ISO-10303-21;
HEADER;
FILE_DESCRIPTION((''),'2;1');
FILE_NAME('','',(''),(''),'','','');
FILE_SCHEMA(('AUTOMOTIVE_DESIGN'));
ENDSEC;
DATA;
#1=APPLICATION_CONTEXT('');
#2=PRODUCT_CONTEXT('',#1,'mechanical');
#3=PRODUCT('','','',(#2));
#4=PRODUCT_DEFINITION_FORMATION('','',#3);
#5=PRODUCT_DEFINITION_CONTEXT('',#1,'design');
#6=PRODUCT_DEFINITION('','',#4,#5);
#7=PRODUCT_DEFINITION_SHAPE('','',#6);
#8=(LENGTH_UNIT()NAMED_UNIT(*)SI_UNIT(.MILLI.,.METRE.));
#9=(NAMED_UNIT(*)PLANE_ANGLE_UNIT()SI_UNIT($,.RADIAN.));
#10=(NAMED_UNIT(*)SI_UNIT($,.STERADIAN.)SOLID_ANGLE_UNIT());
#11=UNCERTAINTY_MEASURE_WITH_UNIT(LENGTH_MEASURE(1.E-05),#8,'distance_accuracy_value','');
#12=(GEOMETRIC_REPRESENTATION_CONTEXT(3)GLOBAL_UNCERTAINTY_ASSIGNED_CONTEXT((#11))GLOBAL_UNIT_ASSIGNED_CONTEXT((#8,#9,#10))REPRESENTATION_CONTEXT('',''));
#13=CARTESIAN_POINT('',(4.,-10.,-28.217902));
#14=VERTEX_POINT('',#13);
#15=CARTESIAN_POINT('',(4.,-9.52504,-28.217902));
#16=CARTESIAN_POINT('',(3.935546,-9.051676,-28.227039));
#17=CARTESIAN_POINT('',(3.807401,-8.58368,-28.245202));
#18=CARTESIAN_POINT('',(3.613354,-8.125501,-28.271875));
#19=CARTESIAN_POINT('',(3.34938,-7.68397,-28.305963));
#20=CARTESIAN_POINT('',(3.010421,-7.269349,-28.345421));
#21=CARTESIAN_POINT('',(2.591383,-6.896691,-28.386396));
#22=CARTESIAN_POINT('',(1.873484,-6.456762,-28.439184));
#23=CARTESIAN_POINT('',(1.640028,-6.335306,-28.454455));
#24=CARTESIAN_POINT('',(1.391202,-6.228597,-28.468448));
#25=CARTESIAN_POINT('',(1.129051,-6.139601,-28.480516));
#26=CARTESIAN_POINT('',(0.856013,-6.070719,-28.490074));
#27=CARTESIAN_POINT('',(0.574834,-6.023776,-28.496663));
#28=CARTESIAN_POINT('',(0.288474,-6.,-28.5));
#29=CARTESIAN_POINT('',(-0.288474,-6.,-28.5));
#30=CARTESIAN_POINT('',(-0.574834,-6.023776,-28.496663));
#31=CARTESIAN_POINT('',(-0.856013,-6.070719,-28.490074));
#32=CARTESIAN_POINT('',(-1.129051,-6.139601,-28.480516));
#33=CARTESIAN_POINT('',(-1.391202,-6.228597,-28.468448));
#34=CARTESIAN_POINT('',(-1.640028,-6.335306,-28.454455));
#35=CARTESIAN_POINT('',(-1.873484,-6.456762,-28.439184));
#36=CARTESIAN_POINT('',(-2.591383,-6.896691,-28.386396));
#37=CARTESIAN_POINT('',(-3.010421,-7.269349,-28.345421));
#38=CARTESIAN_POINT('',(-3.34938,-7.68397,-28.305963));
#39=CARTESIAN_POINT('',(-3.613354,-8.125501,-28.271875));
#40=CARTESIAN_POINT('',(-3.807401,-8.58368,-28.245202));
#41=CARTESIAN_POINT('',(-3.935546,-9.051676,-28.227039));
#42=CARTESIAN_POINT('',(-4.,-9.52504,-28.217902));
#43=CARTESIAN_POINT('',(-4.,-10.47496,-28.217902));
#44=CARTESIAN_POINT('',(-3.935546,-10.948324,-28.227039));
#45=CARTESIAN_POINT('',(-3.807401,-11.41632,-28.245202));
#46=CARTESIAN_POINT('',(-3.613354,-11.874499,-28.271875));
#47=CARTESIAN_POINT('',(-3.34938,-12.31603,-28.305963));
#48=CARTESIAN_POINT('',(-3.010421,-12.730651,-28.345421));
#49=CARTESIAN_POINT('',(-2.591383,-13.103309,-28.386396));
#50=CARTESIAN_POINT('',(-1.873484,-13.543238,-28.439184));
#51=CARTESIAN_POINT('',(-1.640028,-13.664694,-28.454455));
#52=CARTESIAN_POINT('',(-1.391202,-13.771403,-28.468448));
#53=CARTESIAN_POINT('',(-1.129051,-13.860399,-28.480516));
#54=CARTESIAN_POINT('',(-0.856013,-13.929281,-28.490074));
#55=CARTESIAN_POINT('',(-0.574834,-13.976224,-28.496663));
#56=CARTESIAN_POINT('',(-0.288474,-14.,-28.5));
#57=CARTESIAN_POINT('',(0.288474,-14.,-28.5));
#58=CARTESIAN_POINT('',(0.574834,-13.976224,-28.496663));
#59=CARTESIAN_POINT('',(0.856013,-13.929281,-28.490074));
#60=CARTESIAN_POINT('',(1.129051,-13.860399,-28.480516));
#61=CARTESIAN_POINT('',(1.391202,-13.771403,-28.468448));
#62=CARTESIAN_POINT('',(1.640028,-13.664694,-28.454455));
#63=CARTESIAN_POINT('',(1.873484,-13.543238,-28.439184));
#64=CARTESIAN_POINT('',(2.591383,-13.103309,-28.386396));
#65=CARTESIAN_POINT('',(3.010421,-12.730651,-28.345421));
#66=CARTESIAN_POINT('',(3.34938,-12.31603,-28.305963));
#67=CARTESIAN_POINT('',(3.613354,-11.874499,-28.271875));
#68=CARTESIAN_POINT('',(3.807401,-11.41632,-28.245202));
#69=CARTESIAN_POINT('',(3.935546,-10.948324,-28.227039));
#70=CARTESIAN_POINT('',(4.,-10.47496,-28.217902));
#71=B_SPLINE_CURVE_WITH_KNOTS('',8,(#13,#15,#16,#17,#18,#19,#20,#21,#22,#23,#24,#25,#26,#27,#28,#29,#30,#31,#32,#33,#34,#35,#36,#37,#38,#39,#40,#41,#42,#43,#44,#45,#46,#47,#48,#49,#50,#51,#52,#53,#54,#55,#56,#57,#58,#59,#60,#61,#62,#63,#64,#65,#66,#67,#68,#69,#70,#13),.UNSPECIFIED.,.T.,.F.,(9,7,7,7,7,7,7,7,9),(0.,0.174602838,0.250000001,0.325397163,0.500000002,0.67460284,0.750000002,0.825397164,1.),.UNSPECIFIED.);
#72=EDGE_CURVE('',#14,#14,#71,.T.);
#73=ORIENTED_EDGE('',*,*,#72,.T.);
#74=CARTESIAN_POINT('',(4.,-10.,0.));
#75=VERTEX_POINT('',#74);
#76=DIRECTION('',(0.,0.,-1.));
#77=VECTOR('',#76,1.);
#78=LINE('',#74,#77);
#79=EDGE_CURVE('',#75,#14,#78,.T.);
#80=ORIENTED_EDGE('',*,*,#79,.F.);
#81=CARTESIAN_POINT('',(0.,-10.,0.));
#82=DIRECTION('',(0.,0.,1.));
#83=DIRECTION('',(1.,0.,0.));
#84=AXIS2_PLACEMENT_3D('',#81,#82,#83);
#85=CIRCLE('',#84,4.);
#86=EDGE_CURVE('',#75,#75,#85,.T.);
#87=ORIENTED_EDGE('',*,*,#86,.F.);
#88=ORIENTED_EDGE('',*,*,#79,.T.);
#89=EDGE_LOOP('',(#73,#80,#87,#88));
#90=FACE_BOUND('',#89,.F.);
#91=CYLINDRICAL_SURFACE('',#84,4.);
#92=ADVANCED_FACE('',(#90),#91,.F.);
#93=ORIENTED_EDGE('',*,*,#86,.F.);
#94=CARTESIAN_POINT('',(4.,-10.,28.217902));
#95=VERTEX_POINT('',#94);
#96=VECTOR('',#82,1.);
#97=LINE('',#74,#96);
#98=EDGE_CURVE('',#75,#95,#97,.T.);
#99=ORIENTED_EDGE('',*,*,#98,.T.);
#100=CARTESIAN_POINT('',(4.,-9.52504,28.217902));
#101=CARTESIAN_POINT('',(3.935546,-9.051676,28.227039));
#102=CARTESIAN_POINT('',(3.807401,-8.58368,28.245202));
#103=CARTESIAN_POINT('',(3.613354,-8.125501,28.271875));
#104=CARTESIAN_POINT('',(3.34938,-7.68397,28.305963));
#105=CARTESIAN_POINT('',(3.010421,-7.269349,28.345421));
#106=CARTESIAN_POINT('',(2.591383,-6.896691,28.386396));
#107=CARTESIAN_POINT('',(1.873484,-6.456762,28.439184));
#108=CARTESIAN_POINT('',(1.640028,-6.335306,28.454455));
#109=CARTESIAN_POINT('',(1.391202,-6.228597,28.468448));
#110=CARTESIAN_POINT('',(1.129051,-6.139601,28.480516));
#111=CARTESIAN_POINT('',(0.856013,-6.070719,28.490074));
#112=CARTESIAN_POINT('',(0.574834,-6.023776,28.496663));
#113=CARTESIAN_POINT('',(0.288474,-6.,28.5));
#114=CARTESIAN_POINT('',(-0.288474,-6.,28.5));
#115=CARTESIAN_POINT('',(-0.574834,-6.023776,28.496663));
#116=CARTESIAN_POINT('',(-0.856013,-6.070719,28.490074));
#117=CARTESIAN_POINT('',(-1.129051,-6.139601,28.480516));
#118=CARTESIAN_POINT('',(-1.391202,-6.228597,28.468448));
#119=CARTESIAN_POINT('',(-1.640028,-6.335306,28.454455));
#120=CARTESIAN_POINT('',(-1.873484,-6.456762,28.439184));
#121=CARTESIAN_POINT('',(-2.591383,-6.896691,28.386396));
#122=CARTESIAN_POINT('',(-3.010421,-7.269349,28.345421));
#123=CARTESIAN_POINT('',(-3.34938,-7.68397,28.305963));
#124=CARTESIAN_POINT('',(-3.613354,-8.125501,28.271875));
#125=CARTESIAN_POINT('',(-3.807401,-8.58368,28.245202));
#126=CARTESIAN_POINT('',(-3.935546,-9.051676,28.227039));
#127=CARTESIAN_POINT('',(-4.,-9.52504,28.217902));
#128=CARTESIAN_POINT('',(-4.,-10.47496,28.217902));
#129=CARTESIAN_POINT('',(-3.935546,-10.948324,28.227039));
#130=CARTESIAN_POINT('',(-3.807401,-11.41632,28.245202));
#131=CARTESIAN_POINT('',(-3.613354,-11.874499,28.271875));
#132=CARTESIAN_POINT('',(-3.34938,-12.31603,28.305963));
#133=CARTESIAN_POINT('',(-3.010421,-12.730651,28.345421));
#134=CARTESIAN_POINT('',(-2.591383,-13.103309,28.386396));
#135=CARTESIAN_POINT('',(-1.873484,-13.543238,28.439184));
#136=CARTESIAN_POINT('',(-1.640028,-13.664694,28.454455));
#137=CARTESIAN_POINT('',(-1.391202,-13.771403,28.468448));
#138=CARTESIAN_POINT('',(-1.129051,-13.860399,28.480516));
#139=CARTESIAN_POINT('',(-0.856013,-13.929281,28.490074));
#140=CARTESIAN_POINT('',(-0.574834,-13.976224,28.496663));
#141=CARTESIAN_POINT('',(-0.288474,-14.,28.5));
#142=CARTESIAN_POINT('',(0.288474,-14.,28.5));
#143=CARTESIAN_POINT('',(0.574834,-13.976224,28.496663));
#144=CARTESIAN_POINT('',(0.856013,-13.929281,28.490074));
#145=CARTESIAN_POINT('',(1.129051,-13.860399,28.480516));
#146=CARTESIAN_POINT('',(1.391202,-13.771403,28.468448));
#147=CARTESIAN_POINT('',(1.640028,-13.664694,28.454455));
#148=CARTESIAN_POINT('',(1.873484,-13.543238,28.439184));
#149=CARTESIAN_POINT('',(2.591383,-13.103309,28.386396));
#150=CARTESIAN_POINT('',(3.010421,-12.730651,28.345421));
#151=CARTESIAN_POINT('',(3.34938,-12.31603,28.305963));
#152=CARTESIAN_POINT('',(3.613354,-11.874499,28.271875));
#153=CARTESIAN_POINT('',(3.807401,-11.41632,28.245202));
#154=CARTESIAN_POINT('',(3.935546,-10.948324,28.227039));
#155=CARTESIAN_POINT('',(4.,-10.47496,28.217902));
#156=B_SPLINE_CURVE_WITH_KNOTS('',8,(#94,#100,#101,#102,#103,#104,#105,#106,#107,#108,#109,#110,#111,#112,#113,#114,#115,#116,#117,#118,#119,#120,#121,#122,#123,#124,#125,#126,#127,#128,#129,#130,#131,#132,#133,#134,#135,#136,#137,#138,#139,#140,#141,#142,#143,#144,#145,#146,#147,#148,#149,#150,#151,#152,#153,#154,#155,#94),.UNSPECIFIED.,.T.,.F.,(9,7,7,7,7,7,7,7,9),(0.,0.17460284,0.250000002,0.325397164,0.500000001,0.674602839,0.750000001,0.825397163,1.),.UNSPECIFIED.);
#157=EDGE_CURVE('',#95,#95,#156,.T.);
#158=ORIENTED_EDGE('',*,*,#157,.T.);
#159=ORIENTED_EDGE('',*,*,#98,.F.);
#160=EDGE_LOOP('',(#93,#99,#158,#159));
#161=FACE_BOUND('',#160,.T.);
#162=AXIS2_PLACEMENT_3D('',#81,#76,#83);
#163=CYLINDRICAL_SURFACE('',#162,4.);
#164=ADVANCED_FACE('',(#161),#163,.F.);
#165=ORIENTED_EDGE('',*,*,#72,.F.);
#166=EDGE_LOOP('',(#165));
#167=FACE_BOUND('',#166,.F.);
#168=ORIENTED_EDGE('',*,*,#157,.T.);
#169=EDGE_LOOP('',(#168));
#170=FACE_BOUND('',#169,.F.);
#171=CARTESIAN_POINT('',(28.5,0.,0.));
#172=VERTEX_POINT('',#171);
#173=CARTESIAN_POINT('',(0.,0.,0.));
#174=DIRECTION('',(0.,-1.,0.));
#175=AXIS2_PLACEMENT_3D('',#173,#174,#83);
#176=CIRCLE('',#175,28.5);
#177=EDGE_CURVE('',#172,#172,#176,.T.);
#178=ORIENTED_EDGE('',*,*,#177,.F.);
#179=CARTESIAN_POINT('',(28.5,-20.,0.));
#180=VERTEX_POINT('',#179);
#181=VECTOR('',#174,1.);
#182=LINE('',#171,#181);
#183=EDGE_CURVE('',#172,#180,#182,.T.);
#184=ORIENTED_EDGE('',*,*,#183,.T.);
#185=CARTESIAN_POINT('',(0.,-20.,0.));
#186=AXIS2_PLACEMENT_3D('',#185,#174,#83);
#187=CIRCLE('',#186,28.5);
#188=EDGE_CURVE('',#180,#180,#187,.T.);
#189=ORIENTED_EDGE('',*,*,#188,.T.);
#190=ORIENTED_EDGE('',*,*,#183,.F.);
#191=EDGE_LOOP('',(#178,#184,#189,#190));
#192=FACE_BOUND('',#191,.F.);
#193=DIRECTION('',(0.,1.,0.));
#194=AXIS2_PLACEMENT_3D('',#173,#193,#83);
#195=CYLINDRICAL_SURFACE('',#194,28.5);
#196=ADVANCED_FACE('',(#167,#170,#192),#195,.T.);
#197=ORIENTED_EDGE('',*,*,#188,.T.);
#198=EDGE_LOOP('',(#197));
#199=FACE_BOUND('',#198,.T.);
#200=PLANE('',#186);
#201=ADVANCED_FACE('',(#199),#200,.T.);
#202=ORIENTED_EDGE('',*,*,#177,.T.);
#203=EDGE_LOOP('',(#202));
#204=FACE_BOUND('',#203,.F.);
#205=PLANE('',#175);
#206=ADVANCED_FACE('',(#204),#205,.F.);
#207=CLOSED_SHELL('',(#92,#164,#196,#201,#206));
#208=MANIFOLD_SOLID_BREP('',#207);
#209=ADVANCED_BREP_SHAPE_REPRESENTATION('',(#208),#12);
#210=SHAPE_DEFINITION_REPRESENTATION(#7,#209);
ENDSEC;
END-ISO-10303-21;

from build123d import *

# Parameters (mm, degrees)
F0_R     = 28.5
F1_DEPTH = 20
F2_R     = 4
F3_DEPTH = 28.501
F4_DEPTH = 28.501


with BuildPart() as f1:
    # F0 (on Front) → F1 (new body)
    with BuildSketch(Plane.XZ):
        Circle(F0_R)
    extrude(amount=F1_DEPTH)

    # F2 (on Top) → F3 (cut, through all)
    with BuildSketch(Plane.XY):
        with Locations((0, -10)):
            Circle(F2_R)
    extrude(amount=-F3_DEPTH, mode=Mode.SUBTRACT)

    # F2 (on Top) → F4 (cut, through all)
    with BuildSketch(Plane.XY):
        with Locations((0, -10)):
            Circle(F2_R)
    extrude(amount=F4_DEPTH, mode=Mode.SUBTRACT)


solid = f1.part
